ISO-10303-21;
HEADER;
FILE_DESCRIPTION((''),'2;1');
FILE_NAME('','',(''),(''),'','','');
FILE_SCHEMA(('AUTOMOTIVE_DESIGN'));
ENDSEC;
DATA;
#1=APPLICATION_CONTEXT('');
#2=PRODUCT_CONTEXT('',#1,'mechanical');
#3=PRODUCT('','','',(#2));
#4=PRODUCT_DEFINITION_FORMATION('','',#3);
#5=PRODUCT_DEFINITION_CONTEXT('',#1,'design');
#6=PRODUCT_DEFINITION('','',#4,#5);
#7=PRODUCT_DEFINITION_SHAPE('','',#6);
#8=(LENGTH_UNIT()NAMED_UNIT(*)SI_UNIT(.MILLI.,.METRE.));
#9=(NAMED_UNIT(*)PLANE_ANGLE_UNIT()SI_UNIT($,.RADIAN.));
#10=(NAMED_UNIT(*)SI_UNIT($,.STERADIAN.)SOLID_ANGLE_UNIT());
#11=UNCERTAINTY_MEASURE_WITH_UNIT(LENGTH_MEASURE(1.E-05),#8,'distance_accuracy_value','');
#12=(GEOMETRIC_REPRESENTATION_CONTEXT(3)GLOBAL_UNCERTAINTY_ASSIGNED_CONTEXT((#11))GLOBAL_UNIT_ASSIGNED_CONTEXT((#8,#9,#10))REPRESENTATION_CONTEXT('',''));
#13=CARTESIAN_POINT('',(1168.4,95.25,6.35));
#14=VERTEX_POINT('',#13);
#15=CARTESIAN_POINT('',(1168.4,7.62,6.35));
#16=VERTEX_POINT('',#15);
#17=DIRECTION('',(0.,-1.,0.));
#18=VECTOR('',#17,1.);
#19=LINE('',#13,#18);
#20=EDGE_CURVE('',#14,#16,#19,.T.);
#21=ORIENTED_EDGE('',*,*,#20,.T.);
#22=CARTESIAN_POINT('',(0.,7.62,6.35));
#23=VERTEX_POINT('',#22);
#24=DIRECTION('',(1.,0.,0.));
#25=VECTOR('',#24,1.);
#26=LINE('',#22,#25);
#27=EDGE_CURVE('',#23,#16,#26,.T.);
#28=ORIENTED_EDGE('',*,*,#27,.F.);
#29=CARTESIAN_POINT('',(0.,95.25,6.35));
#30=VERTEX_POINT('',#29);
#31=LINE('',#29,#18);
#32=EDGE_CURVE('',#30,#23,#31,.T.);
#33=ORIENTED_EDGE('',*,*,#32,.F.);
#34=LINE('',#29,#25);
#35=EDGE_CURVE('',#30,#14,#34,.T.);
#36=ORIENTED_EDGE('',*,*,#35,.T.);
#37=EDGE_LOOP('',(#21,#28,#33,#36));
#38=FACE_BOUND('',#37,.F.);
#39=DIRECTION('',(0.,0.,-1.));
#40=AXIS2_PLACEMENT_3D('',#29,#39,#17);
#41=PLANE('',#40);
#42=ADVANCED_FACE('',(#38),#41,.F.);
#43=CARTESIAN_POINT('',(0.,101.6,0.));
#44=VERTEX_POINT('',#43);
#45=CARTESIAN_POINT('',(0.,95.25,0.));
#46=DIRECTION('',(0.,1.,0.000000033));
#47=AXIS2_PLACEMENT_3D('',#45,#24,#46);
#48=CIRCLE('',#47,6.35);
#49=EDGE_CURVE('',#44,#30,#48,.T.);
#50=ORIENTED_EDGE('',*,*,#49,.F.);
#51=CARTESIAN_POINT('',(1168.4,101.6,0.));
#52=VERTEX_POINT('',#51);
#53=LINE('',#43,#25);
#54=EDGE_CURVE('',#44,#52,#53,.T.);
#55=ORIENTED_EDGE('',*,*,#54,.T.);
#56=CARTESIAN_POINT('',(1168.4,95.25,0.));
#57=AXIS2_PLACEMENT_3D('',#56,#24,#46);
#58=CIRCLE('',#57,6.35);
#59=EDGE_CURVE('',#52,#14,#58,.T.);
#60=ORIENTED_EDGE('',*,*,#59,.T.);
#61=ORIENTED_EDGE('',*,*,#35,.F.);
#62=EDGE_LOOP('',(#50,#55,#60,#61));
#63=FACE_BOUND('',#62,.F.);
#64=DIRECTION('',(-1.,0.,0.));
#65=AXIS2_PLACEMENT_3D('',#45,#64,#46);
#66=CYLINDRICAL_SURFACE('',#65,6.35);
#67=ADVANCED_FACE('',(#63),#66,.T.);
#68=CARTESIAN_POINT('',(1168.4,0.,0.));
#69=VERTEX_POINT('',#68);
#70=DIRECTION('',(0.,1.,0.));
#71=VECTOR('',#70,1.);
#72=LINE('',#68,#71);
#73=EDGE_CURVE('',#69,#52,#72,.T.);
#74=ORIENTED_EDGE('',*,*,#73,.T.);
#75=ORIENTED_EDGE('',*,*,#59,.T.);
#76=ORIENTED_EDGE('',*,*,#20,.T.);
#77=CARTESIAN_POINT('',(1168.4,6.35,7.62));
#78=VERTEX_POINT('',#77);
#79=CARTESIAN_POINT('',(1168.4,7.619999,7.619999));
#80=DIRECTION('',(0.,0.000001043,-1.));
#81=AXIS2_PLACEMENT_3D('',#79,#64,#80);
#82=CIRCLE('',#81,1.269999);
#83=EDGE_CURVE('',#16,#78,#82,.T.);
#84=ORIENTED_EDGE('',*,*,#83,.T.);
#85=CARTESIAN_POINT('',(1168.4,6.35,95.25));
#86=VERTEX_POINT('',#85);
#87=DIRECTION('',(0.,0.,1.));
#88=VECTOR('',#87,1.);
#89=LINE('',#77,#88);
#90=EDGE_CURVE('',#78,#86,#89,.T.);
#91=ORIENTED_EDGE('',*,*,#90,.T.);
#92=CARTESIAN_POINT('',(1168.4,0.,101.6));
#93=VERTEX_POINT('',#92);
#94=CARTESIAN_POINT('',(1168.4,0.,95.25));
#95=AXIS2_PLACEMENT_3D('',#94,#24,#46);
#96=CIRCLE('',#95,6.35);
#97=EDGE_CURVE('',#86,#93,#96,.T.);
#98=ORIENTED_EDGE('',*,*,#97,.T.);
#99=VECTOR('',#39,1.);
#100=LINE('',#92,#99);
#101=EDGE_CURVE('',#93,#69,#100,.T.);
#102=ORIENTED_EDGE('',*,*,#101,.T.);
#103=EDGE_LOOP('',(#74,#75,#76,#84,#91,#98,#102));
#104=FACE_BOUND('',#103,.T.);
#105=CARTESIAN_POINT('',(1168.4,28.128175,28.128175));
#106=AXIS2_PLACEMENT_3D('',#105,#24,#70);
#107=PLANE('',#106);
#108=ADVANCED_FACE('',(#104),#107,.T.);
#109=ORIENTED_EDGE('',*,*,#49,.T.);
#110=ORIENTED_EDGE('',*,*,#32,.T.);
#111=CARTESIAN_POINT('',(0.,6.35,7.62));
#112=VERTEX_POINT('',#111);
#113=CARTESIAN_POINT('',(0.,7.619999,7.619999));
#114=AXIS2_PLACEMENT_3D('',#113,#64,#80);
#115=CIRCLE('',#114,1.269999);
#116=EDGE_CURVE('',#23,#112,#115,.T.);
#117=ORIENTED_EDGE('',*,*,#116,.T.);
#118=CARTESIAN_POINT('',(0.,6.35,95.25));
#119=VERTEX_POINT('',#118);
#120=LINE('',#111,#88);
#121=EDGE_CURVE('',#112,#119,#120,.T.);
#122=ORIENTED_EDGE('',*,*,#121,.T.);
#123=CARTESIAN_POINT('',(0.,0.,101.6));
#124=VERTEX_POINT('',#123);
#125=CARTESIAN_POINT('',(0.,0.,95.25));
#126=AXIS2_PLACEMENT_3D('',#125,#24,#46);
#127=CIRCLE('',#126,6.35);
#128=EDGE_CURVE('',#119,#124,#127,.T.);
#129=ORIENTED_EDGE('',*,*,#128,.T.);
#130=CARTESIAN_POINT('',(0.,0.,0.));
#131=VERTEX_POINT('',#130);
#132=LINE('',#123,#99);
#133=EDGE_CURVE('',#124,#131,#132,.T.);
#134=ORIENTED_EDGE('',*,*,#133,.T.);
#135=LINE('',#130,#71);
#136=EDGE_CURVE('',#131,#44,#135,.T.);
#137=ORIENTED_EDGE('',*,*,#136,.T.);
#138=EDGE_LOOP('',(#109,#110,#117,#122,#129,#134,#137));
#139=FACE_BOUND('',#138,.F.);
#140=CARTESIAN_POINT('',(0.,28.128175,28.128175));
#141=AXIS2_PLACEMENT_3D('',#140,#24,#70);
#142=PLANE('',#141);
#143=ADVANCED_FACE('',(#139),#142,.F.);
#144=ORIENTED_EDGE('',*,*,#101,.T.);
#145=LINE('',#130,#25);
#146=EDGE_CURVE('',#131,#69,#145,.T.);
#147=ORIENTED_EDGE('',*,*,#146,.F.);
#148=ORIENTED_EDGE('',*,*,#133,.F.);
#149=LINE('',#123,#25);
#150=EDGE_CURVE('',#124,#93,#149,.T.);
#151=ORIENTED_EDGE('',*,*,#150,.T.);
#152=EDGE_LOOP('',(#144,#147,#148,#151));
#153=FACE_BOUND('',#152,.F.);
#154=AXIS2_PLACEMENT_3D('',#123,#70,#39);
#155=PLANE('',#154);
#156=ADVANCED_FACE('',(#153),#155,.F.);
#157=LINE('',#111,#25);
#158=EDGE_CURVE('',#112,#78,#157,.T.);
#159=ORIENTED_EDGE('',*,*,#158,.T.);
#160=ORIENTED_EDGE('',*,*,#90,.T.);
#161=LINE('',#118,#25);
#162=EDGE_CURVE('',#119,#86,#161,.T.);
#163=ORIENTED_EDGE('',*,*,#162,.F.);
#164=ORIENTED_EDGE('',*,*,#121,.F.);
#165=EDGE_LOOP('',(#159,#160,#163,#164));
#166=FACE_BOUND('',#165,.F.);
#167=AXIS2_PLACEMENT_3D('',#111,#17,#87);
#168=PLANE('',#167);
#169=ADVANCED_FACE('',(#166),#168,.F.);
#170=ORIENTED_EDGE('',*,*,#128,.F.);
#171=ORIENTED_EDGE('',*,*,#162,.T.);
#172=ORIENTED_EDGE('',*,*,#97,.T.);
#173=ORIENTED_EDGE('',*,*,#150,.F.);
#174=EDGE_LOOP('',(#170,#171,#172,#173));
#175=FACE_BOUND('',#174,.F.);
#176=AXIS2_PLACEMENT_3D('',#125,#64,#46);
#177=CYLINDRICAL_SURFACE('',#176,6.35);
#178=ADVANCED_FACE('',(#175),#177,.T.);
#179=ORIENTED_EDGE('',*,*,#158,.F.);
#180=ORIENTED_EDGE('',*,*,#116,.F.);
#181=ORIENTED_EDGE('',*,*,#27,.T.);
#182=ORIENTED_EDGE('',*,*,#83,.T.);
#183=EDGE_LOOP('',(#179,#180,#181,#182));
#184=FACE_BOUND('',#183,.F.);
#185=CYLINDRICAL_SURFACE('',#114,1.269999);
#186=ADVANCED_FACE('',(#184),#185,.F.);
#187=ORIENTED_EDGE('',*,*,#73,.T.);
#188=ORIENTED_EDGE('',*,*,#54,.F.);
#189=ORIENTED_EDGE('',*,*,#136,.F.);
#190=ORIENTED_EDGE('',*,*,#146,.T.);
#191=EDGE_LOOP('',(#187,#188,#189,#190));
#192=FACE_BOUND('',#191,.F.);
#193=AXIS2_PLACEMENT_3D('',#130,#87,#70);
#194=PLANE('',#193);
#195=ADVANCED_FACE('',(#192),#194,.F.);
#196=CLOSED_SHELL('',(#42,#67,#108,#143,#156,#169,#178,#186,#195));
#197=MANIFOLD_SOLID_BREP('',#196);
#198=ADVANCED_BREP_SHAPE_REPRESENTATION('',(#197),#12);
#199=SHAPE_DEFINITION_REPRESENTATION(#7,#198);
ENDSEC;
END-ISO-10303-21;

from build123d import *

# Parameters (mm, degrees)
F1_DEPTH = 1168.4


with BuildPart() as f1:
    # F0 (on Right) → F1 (new body)
    with BuildSketch(Plane.YZ):
        with BuildLine():
            Line((0, 101.6), (0, 0))
            Line((0, 0), (101.6, 0))
            ThreePointArc((101.6, 0), (99.740128, 4.490128), (95.25, 6.35))
            Line((95.25, 6.35), (7.62, 6.35))
            ThreePointArc((7.62, 6.35), (6.721974, 6.721974), (6.35, 7.62))
            Line((6.35, 7.62), (6.35, 95.25))
            ThreePointArc((6.35, 95.25), (4.490128, 99.740128), (0, 101.6))
        make_face()
    extrude(amount=F1_DEPTH)


solid = f1.part
